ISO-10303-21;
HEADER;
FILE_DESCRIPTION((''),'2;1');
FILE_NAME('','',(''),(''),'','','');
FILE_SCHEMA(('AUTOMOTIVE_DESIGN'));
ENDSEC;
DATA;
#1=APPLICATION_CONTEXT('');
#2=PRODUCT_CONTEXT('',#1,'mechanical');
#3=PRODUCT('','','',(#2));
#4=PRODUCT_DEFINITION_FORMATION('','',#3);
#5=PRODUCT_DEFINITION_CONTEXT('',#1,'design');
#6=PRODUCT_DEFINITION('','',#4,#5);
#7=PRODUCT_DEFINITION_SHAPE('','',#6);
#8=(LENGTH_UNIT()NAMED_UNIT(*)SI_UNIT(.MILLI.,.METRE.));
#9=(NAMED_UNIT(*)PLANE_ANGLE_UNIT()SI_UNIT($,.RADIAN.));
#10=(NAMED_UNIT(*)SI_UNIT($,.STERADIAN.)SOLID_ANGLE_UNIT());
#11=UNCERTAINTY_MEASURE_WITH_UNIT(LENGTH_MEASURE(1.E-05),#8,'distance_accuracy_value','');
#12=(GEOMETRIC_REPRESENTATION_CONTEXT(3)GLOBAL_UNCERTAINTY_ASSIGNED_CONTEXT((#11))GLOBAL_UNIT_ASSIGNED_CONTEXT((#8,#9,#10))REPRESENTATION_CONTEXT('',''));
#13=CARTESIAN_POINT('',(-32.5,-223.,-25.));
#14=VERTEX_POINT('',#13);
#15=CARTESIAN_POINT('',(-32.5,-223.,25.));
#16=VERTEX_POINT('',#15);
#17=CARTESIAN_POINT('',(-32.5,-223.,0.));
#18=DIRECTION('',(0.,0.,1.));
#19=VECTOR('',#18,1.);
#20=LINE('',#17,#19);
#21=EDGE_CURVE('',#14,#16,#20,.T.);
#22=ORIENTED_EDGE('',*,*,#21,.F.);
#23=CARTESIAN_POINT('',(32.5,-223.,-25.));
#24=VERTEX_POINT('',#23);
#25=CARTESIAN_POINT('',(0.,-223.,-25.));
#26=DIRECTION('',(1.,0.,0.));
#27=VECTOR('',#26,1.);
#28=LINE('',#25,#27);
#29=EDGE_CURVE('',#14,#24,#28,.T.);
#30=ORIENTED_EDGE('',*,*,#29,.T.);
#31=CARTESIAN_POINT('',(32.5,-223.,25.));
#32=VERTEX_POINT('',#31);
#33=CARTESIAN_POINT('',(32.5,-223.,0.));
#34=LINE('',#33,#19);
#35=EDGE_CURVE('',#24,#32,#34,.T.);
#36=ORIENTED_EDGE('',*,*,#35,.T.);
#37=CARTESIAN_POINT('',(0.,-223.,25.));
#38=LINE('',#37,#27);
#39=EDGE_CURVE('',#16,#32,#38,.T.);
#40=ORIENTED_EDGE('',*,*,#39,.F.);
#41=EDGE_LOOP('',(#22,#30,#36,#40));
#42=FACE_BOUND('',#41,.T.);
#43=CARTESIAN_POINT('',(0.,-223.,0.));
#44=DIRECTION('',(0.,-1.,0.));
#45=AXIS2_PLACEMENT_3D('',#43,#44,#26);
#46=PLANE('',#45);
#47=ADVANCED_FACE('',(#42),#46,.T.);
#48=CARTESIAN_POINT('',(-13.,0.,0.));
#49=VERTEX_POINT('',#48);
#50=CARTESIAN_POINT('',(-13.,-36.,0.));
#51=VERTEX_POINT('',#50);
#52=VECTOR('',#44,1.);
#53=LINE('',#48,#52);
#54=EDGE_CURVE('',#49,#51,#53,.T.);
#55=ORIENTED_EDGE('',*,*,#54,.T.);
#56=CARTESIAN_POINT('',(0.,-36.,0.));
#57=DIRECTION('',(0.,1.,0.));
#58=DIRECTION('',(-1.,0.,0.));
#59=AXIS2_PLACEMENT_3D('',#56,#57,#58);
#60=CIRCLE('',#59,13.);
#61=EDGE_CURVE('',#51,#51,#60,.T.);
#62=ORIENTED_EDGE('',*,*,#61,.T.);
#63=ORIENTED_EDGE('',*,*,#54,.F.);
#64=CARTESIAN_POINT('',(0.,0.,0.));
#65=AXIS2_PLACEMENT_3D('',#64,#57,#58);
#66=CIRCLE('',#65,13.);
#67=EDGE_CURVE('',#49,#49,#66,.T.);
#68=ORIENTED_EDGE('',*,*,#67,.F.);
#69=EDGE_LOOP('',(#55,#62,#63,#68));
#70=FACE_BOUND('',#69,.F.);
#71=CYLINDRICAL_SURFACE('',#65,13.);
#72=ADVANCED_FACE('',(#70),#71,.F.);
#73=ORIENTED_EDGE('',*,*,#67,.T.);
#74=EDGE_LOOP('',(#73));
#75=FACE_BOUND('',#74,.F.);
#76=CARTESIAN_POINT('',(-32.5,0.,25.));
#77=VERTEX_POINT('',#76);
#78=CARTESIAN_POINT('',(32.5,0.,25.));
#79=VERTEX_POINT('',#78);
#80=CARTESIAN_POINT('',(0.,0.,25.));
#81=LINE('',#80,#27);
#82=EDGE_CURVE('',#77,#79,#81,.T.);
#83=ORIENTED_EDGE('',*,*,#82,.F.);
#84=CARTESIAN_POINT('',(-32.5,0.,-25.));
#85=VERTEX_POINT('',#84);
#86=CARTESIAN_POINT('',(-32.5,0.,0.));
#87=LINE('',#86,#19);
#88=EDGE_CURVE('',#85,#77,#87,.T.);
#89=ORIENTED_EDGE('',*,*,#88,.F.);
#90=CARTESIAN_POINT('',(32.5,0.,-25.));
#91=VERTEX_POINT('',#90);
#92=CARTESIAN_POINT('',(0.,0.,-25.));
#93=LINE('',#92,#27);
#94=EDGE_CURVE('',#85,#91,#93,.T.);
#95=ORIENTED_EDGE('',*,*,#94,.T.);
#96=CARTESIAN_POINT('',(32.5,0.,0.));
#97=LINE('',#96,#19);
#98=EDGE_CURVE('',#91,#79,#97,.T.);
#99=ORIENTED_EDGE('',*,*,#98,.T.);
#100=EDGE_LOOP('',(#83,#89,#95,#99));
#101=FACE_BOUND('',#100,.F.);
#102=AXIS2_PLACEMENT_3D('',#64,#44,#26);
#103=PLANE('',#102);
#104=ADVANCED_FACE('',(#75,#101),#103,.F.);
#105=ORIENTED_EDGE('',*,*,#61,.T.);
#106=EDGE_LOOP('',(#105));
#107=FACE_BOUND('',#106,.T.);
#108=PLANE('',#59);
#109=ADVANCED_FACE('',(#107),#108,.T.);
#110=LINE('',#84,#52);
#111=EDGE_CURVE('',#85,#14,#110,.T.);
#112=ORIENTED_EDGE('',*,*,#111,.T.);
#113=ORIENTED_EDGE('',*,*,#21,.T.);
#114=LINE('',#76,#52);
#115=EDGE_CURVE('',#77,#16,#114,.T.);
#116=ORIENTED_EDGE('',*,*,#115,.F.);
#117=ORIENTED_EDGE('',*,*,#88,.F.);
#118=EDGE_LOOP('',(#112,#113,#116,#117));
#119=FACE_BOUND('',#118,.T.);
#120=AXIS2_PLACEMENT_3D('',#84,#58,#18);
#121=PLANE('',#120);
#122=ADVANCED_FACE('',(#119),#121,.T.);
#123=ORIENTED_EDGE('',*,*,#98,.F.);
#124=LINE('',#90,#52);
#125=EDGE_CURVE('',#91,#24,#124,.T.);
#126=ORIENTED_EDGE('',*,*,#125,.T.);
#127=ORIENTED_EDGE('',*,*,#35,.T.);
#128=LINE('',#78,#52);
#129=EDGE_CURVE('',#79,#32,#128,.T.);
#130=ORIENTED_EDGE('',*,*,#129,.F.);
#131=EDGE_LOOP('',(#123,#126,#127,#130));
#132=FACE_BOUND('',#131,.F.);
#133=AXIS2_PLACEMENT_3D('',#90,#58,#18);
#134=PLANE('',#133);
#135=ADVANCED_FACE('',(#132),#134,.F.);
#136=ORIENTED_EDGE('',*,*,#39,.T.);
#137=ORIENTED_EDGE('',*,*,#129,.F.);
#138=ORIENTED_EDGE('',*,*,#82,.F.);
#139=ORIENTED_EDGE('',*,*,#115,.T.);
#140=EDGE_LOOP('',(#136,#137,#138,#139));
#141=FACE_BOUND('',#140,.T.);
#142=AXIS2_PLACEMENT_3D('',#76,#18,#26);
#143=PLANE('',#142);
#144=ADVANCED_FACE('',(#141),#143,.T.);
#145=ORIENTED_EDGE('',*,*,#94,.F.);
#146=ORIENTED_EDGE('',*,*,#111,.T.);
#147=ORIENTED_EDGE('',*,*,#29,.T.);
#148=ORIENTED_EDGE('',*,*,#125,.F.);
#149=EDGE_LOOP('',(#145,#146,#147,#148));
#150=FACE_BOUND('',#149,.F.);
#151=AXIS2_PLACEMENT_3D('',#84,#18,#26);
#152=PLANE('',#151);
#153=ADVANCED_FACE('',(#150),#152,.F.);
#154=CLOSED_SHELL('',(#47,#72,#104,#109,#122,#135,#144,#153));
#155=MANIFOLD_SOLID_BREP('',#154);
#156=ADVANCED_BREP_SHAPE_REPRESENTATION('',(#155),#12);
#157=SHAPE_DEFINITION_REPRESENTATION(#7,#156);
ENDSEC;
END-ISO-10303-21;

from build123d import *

# Parameters (mm, degrees)
F0_W     = 65
F0_H     = 50
F1_DEPTH = 223
F3_R     = 13
F4_DEPTH = 36


with BuildPart() as f1:
    # F0 (on Front) → F1 (new body)
    with BuildSketch(Plane.XZ):
        Rectangle(F0_W, F0_H)
    extrude(amount=F1_DEPTH)

    # F3 (on face) → F4 (cut)
    with BuildSketch(Plane(origin=(0, 0, 0), x_dir=(-1, 0, 0), z_dir=(0, 1, 0))):
        Circle(F3_R)
    extrude(amount=-F4_DEPTH, mode=Mode.SUBTRACT)


solid = f1.part
